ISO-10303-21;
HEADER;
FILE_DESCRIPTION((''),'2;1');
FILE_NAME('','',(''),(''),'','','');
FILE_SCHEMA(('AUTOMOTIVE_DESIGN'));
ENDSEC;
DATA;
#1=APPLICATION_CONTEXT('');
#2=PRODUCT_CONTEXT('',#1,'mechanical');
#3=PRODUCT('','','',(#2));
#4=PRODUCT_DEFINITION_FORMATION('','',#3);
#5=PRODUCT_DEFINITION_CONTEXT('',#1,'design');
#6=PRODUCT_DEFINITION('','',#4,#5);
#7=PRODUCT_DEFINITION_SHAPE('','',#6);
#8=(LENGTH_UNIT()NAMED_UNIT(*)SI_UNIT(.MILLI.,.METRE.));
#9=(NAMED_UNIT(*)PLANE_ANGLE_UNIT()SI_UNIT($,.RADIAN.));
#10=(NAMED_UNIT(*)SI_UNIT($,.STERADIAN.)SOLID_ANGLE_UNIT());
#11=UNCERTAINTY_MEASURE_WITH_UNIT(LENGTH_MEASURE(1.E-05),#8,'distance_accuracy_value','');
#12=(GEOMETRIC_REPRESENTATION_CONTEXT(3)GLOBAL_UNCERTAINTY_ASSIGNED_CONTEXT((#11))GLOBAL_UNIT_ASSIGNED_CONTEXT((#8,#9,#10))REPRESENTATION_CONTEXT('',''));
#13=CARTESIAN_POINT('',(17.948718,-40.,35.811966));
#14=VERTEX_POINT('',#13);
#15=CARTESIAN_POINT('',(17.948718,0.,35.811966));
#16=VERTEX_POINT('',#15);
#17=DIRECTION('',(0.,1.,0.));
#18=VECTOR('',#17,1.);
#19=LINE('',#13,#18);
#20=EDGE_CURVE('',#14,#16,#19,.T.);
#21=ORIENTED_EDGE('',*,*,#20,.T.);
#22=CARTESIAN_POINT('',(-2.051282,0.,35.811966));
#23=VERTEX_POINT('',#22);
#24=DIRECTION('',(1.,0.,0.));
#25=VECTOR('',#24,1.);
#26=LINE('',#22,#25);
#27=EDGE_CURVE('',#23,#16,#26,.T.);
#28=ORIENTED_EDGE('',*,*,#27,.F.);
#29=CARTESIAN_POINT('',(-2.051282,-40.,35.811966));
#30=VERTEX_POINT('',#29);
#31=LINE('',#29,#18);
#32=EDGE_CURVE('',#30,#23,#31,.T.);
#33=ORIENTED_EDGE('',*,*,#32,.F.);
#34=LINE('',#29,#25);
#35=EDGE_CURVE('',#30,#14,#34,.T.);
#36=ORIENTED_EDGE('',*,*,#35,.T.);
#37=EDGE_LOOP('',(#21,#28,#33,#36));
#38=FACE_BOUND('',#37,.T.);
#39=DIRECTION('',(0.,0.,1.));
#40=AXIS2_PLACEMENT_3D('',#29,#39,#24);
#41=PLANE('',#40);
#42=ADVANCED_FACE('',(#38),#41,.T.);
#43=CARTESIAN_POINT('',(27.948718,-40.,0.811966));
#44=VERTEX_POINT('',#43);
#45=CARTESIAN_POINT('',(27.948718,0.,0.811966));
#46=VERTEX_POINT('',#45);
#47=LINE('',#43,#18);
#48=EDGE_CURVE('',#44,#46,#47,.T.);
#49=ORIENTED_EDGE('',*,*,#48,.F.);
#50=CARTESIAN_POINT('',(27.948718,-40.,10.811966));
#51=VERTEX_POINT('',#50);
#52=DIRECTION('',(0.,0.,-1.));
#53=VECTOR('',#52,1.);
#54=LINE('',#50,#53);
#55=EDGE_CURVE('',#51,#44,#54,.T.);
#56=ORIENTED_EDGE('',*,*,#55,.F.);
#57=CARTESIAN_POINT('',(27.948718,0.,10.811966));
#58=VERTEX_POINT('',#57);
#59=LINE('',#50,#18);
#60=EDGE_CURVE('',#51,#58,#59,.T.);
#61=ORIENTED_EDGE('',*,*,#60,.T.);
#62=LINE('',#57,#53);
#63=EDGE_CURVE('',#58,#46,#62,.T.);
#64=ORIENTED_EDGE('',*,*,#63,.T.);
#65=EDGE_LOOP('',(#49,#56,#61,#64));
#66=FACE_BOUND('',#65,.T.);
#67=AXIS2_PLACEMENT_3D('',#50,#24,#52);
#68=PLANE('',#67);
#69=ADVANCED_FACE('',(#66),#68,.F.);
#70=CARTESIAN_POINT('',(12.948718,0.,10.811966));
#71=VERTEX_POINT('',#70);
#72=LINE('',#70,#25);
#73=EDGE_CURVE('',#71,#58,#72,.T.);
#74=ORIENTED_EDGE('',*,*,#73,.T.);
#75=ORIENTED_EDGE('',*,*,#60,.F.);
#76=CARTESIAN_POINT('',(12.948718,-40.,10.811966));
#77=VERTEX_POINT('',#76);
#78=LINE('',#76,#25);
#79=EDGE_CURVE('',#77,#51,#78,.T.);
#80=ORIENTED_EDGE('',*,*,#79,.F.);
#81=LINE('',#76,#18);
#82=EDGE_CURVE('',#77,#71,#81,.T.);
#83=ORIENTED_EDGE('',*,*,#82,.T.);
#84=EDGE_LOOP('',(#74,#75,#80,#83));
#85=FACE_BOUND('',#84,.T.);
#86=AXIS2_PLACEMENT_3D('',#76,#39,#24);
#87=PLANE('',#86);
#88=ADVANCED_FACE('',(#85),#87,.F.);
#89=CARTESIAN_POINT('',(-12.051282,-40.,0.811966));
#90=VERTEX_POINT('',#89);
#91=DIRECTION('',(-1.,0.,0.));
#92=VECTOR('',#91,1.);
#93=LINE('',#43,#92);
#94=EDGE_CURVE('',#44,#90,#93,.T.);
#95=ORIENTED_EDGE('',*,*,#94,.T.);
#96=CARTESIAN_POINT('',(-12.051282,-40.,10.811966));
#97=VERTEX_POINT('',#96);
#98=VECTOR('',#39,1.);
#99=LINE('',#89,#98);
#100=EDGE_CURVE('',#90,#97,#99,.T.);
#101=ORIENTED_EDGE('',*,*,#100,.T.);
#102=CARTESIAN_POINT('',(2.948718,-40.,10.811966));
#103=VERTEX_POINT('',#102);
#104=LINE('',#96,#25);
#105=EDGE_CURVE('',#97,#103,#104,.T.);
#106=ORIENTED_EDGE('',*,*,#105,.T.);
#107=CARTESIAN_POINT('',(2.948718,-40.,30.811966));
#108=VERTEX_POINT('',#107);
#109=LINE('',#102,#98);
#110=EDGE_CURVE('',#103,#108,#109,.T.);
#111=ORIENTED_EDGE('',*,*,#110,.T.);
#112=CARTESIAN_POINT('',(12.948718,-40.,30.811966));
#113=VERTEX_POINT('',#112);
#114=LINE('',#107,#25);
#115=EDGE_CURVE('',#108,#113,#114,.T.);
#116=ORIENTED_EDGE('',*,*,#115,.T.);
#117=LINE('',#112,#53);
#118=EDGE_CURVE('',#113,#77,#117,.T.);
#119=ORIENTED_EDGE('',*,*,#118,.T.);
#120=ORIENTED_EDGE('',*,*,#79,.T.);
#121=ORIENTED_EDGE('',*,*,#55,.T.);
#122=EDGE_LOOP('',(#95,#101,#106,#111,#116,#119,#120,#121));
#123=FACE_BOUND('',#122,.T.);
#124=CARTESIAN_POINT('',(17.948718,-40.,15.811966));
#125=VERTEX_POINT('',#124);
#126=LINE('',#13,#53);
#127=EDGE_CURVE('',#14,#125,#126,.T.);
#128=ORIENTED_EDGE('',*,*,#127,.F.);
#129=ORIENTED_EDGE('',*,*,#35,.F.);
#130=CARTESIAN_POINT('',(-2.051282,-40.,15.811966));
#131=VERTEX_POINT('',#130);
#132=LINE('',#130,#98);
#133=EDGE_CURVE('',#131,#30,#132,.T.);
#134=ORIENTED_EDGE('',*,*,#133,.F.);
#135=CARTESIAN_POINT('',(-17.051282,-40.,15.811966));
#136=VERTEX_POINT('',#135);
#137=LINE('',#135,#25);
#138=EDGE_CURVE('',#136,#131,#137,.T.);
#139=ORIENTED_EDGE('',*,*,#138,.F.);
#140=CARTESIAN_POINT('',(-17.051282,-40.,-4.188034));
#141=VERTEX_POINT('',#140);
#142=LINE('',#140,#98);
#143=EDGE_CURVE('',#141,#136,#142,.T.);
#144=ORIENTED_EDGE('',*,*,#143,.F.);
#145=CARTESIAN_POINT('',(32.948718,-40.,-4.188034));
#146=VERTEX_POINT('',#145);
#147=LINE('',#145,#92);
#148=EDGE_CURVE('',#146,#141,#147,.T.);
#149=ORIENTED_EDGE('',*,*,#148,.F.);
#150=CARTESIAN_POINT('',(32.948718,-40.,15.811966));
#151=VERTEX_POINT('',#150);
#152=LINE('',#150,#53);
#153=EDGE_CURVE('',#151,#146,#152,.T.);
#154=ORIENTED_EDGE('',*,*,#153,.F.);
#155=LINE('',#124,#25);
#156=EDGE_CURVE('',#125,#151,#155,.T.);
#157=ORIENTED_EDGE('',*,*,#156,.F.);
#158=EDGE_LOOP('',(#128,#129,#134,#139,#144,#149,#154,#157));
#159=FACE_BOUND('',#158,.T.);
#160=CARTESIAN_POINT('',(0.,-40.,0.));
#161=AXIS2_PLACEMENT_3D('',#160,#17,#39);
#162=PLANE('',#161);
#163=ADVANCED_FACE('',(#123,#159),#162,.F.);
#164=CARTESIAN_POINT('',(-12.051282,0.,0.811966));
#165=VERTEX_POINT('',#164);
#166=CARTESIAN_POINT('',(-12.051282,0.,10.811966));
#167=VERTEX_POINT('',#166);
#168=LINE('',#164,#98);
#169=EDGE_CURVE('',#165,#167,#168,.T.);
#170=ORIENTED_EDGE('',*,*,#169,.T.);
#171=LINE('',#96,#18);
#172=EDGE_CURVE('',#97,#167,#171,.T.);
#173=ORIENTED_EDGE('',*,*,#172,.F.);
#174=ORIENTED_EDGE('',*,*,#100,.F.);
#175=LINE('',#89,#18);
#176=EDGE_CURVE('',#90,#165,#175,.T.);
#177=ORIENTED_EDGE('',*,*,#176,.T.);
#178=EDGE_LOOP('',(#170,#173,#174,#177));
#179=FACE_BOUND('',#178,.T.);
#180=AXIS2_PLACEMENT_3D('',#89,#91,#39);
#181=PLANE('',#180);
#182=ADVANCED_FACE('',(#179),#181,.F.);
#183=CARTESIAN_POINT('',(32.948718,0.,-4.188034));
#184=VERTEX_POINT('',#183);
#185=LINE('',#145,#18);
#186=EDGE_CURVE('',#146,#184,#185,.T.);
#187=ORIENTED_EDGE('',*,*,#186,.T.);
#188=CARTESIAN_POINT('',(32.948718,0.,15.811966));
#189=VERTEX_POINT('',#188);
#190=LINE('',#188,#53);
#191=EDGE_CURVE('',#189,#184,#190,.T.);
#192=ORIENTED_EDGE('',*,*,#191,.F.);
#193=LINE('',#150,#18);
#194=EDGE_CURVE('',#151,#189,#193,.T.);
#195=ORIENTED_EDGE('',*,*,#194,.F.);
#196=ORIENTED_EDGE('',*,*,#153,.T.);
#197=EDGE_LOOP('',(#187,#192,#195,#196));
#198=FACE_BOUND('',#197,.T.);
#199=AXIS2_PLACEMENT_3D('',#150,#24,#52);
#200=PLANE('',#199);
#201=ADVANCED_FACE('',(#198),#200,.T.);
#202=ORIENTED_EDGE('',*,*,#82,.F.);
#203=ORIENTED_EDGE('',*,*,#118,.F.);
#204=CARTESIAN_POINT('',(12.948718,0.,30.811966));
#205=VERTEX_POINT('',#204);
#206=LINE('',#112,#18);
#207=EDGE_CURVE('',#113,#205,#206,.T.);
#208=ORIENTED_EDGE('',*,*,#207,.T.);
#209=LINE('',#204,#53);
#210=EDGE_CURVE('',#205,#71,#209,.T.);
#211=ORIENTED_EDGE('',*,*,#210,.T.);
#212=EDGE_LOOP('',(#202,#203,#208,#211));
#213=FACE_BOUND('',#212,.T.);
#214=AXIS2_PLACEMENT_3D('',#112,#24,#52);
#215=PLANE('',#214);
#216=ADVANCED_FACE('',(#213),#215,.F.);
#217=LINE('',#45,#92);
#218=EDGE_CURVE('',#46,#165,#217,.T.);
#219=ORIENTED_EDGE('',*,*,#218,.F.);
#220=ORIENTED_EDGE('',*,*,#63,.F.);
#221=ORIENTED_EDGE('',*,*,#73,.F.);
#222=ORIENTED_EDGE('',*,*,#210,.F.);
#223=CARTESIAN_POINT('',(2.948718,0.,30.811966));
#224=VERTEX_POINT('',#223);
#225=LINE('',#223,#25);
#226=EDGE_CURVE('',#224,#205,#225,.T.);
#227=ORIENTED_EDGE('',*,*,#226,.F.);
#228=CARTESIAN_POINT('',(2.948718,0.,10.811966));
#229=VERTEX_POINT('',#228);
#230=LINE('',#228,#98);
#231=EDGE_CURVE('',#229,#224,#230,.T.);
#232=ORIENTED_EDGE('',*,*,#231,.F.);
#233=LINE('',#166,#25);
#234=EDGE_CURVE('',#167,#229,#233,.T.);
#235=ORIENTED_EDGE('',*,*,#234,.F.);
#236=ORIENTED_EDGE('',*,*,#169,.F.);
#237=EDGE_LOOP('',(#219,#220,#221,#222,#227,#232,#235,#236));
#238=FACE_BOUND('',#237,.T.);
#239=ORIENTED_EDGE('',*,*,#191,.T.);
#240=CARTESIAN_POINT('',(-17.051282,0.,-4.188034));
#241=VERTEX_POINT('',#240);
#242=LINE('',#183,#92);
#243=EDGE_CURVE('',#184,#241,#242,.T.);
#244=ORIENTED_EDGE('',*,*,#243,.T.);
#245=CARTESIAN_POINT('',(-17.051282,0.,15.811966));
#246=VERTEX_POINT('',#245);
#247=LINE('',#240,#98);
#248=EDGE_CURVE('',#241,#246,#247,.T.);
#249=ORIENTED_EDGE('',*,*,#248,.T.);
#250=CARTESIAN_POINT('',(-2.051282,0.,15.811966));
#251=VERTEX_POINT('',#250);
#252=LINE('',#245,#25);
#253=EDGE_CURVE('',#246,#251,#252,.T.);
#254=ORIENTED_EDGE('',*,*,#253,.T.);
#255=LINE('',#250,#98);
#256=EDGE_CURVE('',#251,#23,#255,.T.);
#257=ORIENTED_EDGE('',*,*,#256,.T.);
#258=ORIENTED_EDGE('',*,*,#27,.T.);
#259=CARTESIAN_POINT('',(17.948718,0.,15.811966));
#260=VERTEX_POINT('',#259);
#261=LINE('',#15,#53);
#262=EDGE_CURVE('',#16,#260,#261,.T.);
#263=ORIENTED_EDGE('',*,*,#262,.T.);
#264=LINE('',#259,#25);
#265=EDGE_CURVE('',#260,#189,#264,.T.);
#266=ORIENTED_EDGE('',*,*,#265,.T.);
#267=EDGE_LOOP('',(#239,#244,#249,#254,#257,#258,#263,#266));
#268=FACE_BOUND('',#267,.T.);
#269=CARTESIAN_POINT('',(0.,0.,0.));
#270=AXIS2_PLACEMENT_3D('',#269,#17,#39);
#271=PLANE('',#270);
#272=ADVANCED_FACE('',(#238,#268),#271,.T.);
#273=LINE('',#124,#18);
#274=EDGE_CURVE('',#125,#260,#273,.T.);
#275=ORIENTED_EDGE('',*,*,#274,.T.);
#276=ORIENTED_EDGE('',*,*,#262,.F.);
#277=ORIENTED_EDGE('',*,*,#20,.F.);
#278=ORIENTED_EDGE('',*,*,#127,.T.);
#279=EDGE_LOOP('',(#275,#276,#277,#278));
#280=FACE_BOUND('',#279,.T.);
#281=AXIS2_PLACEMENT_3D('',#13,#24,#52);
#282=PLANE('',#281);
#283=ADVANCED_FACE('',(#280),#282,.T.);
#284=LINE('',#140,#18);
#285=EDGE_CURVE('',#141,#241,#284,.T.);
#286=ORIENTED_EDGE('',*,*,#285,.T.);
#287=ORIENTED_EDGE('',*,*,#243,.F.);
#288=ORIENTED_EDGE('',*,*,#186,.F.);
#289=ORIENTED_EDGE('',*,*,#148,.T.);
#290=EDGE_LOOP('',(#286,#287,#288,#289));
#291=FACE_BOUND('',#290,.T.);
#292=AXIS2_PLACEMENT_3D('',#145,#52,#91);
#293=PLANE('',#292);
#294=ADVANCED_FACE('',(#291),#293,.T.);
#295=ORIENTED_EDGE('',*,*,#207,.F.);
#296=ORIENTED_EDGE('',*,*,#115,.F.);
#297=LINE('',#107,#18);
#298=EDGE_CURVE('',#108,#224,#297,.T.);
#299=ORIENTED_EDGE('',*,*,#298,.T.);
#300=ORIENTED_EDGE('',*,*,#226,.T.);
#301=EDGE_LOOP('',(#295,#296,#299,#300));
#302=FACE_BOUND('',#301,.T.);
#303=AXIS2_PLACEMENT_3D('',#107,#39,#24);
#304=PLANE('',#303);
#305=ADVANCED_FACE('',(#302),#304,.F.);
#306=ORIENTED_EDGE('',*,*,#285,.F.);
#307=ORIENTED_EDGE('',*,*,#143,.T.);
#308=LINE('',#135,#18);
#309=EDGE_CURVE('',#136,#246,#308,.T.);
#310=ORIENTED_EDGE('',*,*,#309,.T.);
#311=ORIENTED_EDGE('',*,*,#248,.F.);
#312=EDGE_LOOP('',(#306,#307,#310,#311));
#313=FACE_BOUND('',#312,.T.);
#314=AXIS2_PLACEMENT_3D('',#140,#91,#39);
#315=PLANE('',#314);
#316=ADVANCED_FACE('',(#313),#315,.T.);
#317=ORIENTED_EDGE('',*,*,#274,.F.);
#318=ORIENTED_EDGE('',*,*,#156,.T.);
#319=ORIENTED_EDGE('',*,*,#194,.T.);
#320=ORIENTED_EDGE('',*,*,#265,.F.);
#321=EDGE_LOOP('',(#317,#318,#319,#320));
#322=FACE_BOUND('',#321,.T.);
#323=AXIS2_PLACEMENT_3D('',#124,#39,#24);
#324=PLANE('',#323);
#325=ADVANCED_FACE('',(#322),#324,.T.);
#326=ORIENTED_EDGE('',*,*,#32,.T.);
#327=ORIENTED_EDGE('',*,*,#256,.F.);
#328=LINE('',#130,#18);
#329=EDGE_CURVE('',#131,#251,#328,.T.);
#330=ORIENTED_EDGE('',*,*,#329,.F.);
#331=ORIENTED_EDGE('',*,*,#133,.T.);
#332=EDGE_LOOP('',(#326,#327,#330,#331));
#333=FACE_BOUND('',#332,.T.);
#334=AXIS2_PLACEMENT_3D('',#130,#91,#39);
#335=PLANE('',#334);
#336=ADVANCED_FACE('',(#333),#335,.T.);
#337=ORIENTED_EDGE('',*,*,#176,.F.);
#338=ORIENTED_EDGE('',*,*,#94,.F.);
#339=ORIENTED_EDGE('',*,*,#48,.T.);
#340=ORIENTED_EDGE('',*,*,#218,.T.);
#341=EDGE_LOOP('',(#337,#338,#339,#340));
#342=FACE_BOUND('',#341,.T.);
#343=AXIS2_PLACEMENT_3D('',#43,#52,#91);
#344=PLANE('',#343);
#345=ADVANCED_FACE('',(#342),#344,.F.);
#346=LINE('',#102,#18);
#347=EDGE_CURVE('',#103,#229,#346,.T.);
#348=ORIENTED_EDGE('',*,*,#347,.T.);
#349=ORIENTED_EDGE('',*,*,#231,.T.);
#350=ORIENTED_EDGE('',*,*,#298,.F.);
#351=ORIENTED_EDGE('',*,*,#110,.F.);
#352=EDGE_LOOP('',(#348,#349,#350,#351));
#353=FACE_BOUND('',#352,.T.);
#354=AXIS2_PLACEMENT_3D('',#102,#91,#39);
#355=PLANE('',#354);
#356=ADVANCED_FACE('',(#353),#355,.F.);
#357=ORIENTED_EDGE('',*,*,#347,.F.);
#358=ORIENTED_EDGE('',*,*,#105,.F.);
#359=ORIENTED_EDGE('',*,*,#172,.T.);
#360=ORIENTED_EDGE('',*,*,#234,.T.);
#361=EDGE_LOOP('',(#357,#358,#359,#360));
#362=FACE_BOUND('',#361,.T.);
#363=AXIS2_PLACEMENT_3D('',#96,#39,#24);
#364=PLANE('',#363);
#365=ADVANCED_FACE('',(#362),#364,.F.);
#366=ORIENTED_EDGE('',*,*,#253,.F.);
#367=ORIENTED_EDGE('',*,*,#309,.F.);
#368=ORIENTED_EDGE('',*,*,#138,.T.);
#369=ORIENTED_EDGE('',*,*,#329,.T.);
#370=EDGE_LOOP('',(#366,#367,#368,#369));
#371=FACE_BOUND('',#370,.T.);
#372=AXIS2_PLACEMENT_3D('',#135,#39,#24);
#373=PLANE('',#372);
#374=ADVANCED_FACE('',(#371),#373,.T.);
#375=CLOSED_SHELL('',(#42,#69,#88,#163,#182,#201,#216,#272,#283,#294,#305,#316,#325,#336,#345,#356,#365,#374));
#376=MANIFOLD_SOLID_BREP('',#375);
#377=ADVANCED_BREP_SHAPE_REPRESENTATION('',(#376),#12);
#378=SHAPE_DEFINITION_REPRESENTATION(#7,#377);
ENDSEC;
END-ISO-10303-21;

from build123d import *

# Parameters (mm, degrees)
BOSS_EXTRUDE2_DEPTH = 40
CUT_EXTRUDE1_DEPTH  = 40


with BuildPart() as part:
    # Sketch1 → Boss-Extrude2 (new body)
    with BuildSketch(Plane(origin=(0, 0, 0), x_dir=(1, 0, 0), z_dir=(0, 1, 0))):
        Polygon((32.948717949, 4.188034188), (-17.051282051, 4.188034188), (-17.051282051, -15.811965812), (-2.051282051, -15.811965812), (-2.051282051, -35.811965812), (17.948717949, -35.811965812), (17.948717949, -15.811965812), (32.948717949, -15.811965812), align=None)
    extrude(amount=-BOSS_EXTRUDE2_DEPTH)

    # Sketch3 → Cut-Extrude1 (cut)
    with BuildSketch(Plane(origin=(0, 0, 0), x_dir=(1, 0, 0), z_dir=(0, 1, 0))):
        Polygon((27.948717949, -0.811965812), (-12.051282051, -0.811965812), (-12.051282051, -10.811965812), (2.948717949, -10.811965812), (2.948717949, -30.811965812), (12.948717949, -30.811965812), (12.948717949, -10.811965812), (27.948717949, -10.811965812), align=None)
    extrude(amount=-CUT_EXTRUDE1_DEPTH, mode=Mode.SUBTRACT)


solid = part.part
